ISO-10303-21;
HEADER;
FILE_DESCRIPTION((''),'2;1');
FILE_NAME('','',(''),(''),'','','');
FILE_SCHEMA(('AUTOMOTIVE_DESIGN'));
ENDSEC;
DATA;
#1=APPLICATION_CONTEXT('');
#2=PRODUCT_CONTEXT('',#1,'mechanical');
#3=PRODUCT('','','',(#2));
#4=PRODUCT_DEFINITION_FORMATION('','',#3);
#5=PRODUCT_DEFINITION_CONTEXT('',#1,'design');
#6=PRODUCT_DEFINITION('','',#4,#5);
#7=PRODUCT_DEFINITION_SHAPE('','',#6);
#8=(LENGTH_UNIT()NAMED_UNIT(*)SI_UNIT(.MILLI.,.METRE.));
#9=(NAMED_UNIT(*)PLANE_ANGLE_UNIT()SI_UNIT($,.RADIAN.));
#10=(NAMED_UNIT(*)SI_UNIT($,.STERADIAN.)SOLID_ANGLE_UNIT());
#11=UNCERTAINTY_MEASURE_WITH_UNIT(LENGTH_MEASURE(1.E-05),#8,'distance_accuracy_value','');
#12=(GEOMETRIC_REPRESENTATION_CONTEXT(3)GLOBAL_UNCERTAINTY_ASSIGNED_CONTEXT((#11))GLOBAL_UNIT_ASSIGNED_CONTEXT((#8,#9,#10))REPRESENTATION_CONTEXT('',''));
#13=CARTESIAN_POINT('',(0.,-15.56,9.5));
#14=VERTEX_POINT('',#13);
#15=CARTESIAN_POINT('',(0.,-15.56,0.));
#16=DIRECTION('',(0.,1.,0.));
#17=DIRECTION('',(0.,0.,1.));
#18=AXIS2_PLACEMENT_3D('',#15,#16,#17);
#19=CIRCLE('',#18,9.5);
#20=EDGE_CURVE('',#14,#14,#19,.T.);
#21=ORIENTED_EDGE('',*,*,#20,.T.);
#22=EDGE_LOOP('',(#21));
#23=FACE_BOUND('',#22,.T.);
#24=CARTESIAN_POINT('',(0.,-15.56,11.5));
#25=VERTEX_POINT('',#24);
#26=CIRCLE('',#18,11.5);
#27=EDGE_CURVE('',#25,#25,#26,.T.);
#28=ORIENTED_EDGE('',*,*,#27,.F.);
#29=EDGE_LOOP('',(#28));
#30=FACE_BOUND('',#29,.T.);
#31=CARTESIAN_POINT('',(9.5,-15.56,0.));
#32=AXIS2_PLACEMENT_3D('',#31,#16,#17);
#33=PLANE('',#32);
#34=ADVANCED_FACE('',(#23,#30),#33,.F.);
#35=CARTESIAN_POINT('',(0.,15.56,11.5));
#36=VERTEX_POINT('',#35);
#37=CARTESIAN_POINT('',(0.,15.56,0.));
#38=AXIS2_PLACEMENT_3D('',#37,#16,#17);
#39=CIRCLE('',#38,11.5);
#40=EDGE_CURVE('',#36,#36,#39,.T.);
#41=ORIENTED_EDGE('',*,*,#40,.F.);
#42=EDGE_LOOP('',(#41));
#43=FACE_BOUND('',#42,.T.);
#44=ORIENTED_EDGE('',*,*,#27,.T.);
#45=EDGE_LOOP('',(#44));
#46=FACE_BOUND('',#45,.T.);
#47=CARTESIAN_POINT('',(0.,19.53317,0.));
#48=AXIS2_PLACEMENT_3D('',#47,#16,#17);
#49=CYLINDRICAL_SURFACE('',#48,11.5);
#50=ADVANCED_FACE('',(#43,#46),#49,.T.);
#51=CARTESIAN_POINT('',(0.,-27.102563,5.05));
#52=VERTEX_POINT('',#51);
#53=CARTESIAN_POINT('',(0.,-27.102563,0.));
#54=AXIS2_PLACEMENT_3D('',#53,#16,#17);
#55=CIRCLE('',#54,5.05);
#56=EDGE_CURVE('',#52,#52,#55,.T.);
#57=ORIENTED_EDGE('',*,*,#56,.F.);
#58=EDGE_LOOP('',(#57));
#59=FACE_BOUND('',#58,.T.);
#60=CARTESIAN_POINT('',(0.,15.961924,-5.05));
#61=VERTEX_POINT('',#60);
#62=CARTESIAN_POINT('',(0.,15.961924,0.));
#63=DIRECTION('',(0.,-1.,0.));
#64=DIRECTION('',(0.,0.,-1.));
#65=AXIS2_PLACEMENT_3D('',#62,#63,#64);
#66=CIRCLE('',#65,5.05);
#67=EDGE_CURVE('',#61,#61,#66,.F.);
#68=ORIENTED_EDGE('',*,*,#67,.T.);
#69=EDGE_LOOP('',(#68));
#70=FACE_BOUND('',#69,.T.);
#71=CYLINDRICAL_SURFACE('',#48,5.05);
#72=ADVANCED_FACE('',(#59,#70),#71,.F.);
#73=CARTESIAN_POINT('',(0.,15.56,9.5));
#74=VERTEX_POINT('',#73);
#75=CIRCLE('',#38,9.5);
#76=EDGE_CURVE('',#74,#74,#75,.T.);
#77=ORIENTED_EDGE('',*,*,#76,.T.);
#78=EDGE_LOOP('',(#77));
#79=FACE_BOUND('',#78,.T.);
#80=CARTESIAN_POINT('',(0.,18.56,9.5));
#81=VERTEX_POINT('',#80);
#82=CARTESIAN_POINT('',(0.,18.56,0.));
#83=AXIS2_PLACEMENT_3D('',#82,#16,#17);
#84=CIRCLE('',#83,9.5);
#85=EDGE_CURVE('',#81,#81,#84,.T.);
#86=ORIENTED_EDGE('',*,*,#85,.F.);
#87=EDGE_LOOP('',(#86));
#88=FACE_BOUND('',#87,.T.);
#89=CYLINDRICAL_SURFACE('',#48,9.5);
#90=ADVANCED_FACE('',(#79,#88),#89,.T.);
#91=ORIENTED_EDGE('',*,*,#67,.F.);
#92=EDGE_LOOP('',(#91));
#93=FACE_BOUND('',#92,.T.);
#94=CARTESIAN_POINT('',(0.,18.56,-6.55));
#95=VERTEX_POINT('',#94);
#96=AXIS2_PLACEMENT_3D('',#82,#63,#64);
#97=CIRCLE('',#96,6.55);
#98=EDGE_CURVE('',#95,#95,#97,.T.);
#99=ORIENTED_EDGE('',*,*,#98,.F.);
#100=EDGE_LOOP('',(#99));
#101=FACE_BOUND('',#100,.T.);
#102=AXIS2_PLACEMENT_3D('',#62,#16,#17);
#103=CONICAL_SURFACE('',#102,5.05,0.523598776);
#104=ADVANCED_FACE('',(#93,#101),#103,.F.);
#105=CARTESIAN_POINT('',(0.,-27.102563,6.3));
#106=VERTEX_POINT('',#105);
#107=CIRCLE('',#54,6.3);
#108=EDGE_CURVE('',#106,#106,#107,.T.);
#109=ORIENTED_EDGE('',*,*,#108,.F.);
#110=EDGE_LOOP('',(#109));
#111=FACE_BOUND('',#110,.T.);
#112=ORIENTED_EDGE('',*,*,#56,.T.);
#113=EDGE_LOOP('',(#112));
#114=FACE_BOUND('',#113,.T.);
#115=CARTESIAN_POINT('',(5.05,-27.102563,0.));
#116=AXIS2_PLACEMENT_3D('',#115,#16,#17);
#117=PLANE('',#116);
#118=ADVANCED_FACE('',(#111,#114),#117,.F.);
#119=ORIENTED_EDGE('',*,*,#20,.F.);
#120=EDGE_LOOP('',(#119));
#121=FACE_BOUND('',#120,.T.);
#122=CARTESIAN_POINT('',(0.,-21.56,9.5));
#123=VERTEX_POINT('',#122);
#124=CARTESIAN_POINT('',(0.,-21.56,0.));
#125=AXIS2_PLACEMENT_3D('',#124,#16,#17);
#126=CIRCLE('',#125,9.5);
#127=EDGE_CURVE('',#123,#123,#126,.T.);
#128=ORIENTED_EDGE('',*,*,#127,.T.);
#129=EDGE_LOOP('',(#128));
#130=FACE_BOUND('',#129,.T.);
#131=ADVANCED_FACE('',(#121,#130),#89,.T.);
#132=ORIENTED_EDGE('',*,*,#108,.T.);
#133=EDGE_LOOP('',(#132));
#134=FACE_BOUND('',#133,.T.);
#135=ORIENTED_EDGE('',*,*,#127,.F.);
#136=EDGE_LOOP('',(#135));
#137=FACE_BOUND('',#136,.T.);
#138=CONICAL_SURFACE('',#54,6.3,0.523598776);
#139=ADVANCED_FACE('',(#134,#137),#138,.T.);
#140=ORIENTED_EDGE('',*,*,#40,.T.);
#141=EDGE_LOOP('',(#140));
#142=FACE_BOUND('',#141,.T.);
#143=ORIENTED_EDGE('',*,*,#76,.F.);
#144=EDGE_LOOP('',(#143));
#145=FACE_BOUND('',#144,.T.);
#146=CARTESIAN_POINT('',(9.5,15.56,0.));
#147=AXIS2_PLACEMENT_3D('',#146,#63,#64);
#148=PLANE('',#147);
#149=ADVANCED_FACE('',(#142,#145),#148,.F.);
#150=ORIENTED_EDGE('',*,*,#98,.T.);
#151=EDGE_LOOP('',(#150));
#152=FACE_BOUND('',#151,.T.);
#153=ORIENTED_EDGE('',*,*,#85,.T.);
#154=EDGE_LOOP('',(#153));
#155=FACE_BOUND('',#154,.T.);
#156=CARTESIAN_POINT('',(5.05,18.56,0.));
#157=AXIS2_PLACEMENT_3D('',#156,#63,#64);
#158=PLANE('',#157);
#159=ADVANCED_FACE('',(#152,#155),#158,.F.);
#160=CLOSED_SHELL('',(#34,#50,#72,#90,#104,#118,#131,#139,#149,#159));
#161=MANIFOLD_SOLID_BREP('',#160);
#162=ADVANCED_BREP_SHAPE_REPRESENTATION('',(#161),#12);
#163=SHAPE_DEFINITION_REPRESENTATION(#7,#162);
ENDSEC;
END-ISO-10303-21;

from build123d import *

# Parameters (mm, degrees)
CHAMFER1_SIZE  = 1.5
CHAMFER1_SIZE2 = 2.598076211


with BuildPart() as part:
    # Sketch1 → Revolve1 (revolve)
    with BuildSketch(Plane.XY):
        Polygon((5.05, -18.56), (5.05, 18.56), (9.5, 18.56), (9.5, 15.56), (11.5, 15.56), (11.5, -15.56), (9.5, -15.56), (9.5, -18.56), (9.5, -21.56), (6.3, -27.102562584), (5.05, -27.102562584), align=None)
    revolve(axis=Axis((0, 19.533170402, 0), (0, -1, 0)))

    # Chamfer1
    chamfer1_edges = [part.edges().sort_by_distance(p)[0] for p in [
        (-5.05, 18.56, 0),
    ]]
    chamfer1_side = [part.faces().sort_by_distance(p)[0] for p in [
        (-5.318700577, 18.56, 0),
    ]]
    chamfer(chamfer1_edges, length=CHAMFER1_SIZE, length2=CHAMFER1_SIZE2, reference=chamfer1_side[0])


solid = part.part
